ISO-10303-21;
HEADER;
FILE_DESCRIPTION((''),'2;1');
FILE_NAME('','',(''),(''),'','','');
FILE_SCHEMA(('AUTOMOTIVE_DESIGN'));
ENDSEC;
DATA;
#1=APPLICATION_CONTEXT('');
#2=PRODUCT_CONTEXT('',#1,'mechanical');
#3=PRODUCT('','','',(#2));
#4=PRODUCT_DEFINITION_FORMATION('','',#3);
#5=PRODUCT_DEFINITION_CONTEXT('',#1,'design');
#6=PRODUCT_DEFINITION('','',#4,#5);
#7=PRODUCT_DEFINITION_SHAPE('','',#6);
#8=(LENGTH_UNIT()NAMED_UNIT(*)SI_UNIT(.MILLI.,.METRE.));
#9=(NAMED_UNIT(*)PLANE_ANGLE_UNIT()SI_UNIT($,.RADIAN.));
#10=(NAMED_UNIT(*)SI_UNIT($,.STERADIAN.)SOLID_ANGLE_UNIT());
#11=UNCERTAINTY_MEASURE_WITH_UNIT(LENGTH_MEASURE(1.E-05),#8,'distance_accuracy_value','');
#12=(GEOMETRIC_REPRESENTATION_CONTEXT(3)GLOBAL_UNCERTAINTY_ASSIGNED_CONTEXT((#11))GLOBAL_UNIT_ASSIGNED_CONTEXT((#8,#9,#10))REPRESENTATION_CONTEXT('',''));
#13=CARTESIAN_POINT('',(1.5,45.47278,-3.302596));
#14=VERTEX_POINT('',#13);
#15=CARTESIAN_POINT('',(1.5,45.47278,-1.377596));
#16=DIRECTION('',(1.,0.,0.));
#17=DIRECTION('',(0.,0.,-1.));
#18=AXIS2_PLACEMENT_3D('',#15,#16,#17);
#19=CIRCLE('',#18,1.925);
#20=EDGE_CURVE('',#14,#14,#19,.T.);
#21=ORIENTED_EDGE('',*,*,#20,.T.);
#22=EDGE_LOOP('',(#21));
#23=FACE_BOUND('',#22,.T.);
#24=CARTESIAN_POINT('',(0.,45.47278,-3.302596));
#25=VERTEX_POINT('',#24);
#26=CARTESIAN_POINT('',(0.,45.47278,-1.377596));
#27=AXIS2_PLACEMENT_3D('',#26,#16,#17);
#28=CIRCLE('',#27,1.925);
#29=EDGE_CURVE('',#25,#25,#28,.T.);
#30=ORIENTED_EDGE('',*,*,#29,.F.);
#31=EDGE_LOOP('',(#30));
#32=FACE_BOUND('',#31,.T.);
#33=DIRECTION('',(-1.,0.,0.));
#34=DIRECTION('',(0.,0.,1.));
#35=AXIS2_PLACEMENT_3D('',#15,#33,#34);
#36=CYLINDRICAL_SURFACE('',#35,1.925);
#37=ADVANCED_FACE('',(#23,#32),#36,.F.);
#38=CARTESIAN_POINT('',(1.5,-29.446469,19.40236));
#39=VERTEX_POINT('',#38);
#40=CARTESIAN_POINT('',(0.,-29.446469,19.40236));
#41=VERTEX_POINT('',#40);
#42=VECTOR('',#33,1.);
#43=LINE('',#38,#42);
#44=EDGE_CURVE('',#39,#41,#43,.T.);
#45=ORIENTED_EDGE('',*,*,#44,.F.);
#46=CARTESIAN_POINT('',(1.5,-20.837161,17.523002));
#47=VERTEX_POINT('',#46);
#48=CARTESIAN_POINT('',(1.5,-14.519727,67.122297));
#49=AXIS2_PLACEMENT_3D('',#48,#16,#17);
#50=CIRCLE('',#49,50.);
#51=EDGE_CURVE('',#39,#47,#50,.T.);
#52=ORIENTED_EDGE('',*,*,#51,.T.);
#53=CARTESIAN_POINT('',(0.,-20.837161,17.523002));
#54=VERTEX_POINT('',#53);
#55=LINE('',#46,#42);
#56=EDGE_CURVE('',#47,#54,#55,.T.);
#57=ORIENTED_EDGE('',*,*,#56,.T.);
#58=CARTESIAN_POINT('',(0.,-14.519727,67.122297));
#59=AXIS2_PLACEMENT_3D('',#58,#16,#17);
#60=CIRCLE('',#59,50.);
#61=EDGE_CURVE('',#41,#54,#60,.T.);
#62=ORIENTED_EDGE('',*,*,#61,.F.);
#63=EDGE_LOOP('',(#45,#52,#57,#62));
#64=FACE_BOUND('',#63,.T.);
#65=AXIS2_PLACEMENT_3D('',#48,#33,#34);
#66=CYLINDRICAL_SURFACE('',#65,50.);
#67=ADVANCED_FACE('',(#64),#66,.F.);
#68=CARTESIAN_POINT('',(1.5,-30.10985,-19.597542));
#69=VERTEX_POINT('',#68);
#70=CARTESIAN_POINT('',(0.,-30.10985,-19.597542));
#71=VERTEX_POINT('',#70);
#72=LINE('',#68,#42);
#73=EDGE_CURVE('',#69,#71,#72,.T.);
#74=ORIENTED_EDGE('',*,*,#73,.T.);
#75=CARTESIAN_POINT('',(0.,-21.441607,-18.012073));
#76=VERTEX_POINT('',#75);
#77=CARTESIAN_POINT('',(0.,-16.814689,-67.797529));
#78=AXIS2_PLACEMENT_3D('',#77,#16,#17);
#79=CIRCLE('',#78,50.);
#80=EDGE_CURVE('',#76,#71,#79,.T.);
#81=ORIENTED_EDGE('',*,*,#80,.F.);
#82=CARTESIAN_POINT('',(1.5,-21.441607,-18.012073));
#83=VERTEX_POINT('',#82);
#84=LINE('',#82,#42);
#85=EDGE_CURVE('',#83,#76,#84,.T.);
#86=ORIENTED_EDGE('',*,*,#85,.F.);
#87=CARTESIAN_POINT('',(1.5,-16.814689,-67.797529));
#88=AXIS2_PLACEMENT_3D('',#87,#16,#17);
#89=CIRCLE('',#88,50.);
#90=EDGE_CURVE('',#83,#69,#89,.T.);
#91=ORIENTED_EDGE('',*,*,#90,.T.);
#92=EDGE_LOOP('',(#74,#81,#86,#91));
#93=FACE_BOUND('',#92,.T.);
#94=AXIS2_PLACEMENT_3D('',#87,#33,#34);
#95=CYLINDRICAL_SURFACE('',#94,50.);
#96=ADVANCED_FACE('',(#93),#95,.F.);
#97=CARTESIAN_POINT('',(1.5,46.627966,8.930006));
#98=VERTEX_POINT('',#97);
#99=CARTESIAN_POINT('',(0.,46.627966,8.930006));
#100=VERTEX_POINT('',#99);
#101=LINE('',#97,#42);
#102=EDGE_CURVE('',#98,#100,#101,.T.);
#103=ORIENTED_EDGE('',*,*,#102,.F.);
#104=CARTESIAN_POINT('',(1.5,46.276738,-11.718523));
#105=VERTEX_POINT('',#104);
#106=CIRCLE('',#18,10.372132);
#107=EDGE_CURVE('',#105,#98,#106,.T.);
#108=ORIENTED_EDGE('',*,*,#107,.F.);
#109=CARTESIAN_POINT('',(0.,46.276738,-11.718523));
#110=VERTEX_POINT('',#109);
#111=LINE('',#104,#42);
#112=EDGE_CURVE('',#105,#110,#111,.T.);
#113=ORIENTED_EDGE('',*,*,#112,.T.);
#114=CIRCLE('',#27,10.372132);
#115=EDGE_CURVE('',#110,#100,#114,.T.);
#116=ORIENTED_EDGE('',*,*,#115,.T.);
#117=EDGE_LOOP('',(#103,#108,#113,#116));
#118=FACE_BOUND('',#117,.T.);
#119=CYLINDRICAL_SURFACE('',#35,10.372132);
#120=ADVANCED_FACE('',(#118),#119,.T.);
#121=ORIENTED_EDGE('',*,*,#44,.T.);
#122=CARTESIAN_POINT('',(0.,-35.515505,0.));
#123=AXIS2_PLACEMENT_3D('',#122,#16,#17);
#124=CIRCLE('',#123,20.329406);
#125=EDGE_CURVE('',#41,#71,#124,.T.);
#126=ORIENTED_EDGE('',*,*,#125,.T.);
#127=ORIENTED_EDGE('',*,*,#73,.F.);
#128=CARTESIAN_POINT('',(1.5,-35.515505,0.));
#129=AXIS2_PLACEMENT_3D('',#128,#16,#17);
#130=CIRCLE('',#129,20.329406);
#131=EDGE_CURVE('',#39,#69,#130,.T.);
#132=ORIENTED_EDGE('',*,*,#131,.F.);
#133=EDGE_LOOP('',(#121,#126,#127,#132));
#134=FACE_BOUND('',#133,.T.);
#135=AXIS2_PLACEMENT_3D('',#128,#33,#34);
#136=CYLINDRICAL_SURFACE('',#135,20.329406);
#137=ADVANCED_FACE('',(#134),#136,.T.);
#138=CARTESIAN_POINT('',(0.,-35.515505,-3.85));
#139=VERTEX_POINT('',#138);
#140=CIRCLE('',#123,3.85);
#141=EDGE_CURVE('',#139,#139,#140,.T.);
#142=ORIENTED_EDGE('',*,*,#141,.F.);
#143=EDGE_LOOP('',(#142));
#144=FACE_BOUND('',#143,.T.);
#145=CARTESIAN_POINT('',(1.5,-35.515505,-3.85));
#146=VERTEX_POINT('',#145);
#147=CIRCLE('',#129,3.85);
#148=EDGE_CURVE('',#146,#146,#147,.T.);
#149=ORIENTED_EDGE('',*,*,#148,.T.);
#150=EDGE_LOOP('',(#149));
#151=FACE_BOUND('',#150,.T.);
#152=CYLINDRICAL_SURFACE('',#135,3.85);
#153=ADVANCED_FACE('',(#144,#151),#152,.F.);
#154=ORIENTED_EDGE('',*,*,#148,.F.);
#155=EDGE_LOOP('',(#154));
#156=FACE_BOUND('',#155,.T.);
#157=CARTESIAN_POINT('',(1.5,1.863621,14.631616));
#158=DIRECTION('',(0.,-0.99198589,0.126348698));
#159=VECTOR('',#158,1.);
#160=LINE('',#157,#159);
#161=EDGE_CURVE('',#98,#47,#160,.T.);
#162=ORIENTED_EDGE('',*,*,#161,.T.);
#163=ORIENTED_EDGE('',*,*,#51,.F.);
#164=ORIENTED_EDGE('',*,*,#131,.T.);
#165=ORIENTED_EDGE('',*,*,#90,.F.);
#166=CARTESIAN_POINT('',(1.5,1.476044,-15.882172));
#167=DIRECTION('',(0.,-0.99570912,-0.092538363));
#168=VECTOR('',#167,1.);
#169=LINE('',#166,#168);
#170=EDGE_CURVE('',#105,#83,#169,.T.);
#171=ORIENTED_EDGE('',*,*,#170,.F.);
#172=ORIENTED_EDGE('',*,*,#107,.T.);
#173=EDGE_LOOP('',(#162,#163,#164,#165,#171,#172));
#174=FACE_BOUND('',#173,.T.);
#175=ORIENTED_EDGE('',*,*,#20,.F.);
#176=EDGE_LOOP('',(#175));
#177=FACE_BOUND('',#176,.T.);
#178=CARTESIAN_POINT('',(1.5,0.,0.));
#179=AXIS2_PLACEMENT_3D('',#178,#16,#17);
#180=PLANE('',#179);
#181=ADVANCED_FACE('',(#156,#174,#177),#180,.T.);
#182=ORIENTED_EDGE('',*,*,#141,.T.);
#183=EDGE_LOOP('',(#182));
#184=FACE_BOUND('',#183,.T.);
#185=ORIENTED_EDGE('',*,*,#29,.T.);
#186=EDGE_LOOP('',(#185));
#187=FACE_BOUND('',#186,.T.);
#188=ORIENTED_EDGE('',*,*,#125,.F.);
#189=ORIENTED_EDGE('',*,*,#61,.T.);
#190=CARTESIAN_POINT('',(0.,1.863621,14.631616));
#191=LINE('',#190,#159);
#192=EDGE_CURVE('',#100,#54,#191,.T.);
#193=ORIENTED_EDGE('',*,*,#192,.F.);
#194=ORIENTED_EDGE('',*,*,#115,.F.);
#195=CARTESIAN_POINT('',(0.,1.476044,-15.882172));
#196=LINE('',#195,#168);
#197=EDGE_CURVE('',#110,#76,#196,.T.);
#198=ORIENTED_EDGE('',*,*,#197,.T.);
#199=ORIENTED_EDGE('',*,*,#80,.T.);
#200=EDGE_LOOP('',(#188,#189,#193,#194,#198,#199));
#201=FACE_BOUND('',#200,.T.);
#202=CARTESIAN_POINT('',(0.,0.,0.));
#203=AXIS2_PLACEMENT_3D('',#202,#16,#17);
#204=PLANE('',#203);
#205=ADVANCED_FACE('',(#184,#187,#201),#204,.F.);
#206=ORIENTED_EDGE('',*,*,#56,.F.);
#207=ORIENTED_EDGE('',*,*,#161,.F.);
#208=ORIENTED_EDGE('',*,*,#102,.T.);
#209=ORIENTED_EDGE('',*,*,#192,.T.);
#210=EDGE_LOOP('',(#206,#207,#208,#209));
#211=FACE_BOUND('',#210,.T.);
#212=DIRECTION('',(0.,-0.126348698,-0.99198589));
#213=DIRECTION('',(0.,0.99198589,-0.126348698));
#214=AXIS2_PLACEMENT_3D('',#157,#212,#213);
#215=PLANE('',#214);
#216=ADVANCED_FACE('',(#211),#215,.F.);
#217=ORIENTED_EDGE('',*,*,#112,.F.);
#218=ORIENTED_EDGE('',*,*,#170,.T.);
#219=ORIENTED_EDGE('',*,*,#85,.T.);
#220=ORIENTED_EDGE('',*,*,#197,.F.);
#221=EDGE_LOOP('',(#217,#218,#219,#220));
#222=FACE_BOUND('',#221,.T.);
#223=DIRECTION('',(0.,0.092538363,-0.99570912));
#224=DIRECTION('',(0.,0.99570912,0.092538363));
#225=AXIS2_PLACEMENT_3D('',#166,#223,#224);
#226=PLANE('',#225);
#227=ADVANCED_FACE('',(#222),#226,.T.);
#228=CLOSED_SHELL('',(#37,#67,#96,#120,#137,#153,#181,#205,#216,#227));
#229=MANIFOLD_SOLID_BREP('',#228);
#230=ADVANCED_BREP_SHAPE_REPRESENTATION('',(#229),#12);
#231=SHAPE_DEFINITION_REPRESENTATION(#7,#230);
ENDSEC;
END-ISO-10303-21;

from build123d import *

# Parameters (mm, degrees)
SKETCH_2_R      = 3.85
SKETCH_2_R_2    = 1.925
EXTRUDE_1_DEPTH = 1.5


with BuildPart() as part:
    # 草圖2 → 填料-伸長1 (new body)
    with BuildSketch(Plane(origin=(0, 0, 0), x_dir=(0, 0, -1), z_dir=(1, 0, 0))):
        with BuildLine():
            Line((18.012072511, -21.441606673), (11.718522882, 46.276737912))
            ThreePointArc((11.718522882, 46.276737912), (1.55399875, 55.843411078), (-8.930005845, 46.627965677))
            Line((-8.930005845, 46.627965677), (-17.523002046, -20.837161438))
            ThreePointArc((-17.523002046, -20.837161438), (-18.27264724, -25.183298229), (-19.402359762, -29.446468708))
            ThreePointArc((-19.402359762, -29.446468708), (-19.752456192, -30.70663404), (-20.020797275, -31.986703271))
            ThreePointArc((-20.020797275, -31.986703271), (-0.345749536, -55.841970902), (20.12922907, -32.669648007))
            ThreePointArc((20.12922907, -32.669648007), (19.904578122, -31.38119307), (19.597542195, -30.109850035))
            ThreePointArc((19.597542195, -30.109850035), (18.61347279, -25.810724505), (18.012072511, -21.441606673))
        make_face()
        with Locations((0, -35.515504866)):
            Circle(SKETCH_2_R, mode=Mode.SUBTRACT)
        with Locations((1.377596172, 45.472779649)):
            Circle(SKETCH_2_R_2, mode=Mode.SUBTRACT)
    extrude(amount=EXTRUDE_1_DEPTH)


solid = part.part
